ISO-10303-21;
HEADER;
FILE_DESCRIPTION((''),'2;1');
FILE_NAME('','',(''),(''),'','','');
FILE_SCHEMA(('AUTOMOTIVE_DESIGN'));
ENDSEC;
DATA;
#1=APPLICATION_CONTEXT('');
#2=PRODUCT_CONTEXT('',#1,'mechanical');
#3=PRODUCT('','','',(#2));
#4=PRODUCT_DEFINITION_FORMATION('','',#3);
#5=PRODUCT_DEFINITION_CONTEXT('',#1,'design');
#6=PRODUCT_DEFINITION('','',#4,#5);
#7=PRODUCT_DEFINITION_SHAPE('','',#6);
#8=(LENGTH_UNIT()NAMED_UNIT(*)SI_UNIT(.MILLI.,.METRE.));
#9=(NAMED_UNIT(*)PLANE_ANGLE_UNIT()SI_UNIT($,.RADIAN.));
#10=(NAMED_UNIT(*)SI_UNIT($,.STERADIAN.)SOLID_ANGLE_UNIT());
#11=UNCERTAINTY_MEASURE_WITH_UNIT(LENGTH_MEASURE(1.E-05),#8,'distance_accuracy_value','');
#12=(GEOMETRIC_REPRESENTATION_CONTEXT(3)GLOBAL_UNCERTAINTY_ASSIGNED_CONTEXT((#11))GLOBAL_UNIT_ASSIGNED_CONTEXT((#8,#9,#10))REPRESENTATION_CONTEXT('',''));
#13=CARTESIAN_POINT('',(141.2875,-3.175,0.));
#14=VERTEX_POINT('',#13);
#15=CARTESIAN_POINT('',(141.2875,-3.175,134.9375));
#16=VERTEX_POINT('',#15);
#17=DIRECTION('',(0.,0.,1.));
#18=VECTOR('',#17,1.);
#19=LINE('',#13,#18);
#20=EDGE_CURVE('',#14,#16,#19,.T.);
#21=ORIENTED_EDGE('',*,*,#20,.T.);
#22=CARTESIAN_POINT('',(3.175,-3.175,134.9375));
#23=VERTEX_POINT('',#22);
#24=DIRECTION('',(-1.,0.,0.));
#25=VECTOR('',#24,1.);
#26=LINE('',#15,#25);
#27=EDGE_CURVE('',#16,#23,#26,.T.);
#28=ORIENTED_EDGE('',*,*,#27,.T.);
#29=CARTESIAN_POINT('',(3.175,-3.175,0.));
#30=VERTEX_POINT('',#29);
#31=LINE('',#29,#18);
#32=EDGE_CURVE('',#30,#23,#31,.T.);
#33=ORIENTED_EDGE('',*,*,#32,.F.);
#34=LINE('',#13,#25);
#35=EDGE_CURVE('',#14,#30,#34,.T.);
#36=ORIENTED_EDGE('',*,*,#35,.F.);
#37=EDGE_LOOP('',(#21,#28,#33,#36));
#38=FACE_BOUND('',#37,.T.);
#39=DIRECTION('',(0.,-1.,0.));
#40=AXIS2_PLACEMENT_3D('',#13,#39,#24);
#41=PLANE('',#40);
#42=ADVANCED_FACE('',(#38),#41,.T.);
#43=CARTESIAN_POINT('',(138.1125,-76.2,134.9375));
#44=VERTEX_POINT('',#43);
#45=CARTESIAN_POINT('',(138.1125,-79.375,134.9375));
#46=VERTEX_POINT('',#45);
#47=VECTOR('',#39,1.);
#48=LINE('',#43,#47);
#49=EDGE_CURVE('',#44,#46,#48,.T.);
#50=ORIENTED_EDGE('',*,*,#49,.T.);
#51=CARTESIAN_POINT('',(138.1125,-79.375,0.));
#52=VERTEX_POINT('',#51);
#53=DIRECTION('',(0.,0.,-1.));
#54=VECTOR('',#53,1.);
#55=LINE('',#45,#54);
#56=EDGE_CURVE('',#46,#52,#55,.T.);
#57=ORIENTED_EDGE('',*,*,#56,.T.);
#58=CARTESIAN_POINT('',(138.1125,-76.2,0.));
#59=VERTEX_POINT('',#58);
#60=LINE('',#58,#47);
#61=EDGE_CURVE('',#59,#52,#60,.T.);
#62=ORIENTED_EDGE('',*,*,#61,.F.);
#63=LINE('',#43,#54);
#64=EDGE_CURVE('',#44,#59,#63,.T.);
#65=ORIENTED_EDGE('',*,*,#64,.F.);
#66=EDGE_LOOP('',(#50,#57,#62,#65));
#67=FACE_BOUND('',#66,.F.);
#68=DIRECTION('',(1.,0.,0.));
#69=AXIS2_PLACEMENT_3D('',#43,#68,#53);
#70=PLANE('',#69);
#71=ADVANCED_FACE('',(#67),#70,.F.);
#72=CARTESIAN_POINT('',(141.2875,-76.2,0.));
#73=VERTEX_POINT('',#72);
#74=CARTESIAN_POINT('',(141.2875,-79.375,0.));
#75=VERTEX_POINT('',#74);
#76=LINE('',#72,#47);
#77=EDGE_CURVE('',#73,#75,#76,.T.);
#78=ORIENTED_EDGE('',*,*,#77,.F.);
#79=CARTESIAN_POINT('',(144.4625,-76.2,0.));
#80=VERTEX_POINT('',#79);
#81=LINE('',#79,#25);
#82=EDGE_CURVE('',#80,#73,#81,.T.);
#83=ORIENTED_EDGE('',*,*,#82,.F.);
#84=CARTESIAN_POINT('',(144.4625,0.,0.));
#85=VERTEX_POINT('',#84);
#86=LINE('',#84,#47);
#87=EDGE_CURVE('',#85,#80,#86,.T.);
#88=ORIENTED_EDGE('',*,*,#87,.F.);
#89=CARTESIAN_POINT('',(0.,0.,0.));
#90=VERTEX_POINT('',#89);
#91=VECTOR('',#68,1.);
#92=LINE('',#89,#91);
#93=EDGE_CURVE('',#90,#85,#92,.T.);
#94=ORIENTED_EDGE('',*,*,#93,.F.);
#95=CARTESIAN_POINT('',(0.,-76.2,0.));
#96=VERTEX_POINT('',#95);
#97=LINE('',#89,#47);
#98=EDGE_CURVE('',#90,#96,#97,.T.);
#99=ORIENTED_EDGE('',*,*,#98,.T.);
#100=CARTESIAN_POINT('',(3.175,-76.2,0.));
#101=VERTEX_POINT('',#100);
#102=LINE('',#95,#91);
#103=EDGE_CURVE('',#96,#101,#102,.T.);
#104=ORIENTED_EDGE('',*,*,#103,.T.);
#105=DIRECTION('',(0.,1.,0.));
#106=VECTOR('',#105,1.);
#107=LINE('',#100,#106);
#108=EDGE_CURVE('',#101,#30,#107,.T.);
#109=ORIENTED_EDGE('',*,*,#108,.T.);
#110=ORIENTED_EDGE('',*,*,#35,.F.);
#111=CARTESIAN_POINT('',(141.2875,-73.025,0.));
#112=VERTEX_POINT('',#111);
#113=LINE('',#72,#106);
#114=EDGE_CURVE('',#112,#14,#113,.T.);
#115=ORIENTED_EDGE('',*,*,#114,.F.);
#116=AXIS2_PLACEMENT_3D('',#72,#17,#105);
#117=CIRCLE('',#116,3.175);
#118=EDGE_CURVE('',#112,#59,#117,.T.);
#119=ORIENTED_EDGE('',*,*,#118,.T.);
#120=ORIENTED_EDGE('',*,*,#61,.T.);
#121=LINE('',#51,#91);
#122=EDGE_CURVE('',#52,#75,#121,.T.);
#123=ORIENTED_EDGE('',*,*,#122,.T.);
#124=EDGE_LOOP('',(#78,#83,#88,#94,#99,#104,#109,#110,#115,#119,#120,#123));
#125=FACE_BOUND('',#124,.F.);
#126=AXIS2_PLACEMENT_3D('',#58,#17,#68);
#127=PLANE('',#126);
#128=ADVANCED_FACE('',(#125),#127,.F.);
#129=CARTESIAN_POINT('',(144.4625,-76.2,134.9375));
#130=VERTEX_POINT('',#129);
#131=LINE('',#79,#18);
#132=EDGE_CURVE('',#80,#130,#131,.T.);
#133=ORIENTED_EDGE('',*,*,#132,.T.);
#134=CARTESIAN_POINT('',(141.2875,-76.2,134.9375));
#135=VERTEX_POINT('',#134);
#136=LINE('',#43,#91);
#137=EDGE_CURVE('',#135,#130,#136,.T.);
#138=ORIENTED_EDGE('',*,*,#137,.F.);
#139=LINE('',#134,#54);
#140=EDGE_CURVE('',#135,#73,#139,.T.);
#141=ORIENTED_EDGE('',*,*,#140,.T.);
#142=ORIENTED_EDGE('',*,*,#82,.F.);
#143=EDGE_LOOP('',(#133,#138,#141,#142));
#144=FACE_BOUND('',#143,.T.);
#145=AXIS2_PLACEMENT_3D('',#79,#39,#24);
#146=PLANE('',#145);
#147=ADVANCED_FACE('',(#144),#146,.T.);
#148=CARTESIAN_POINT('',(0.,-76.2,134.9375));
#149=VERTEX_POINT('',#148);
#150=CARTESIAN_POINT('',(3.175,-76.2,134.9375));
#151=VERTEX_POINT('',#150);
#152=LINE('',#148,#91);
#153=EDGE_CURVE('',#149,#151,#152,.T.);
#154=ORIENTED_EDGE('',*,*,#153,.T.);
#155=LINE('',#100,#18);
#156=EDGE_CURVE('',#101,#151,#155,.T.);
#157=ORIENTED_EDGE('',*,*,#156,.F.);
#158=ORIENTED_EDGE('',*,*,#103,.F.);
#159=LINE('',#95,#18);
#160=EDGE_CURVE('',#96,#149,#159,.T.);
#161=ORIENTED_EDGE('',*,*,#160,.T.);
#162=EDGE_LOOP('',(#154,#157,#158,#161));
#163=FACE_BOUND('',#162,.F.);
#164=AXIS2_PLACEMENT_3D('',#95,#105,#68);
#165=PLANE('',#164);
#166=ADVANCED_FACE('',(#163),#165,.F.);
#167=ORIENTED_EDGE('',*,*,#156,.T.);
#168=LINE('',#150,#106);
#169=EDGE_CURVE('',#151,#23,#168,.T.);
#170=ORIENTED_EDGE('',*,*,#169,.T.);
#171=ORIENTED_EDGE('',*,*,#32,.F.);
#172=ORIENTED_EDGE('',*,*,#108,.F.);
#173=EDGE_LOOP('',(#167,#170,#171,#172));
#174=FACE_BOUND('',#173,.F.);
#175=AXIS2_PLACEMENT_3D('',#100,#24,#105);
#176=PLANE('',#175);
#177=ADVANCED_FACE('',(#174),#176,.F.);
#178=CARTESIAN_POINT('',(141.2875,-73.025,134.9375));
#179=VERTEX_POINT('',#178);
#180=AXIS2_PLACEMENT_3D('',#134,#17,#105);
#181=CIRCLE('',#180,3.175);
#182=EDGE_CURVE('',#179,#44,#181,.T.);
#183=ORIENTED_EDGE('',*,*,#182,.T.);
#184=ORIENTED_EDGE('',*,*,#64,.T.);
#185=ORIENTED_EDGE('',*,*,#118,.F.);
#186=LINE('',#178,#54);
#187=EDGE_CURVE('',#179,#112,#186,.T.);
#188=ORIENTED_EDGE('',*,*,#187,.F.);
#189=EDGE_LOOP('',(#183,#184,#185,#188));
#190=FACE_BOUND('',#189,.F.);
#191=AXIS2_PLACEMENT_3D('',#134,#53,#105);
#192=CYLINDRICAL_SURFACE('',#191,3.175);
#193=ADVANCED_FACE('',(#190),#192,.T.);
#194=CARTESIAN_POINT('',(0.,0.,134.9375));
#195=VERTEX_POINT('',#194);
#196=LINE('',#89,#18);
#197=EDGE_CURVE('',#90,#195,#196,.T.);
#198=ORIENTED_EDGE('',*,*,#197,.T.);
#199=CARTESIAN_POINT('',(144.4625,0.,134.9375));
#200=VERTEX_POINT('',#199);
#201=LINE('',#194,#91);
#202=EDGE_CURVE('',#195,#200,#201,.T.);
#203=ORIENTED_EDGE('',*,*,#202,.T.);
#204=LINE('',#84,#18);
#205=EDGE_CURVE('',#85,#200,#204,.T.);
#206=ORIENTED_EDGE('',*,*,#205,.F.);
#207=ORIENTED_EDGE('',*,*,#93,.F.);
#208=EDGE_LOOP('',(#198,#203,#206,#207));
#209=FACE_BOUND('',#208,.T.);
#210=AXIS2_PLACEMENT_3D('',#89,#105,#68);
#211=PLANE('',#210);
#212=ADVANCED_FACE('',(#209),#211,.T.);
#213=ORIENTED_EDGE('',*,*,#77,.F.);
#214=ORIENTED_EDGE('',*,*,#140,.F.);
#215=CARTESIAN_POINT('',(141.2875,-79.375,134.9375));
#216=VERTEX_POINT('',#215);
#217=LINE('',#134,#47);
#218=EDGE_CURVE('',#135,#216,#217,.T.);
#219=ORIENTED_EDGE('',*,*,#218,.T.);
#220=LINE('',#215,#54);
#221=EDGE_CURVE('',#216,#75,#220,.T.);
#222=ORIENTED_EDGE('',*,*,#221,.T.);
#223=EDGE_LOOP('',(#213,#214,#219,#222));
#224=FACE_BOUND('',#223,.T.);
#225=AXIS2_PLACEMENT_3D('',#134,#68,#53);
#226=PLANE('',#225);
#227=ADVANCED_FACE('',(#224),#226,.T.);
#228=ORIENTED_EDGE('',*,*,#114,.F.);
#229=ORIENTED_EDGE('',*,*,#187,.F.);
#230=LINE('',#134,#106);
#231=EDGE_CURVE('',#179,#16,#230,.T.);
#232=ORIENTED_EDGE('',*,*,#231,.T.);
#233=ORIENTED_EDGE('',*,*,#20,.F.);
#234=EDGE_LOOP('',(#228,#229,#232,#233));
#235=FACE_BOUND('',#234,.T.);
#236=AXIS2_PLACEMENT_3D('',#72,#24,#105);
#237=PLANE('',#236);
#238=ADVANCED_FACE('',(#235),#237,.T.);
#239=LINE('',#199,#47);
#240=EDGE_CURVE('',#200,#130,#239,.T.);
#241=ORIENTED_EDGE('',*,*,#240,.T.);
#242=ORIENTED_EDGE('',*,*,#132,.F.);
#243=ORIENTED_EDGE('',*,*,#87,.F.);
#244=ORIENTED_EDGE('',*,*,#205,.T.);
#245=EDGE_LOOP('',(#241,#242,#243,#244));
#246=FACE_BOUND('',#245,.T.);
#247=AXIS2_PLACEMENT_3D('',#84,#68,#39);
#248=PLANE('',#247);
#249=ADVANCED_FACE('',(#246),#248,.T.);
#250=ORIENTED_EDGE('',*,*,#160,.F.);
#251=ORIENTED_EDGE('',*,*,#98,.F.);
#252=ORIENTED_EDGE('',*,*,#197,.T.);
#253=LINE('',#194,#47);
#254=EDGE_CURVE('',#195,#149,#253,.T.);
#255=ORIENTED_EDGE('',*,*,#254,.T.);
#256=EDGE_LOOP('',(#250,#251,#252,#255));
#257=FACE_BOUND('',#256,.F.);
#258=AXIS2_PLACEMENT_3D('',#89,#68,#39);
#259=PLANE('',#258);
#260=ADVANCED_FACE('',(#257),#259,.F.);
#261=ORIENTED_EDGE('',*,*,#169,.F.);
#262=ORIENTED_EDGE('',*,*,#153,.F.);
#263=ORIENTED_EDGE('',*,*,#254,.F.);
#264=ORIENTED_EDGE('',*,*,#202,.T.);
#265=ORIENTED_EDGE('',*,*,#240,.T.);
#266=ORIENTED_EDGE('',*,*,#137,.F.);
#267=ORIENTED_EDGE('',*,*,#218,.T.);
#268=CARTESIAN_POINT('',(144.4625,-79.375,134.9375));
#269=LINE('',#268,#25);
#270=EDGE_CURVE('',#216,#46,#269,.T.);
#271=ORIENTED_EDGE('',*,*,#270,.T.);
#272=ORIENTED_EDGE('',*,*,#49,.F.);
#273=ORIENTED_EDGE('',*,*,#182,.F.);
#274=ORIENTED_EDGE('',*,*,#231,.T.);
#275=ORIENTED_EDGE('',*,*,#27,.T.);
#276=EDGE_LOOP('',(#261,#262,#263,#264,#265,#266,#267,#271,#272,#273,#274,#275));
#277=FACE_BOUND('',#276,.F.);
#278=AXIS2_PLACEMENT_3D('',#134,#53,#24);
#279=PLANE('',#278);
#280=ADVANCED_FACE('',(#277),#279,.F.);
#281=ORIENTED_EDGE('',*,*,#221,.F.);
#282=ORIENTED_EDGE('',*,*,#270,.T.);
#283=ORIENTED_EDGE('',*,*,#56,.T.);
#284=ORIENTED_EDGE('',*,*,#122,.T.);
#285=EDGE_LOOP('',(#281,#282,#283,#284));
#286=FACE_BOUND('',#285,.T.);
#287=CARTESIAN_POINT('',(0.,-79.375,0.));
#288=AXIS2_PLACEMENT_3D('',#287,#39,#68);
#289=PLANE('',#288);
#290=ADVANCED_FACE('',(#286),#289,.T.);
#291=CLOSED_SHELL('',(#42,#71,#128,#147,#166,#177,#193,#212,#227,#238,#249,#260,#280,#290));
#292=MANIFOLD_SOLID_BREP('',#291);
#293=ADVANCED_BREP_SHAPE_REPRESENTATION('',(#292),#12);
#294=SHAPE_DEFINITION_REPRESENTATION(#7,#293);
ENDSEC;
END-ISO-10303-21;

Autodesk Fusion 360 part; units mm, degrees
sketch "Sketch1" plane through (0, 0, 0) normal (0, 0, 1) x (1, 0, 0)
  line L0 (0, 0) -> (0, -76.2)
  line L1 (0, -76.2) -> (3.175, -76.2)
  line L2 (3.175, -76.2) -> (3.175, -3.175)
  line L3 (0, 0) -> (144.4625, 0)
  line L4 (144.4625, 0) -> (144.4625, -76.2)
  line L5 (144.4625, -76.2) -> (141.2875, -76.2)
  line L6 (141.2875, -76.2) -> (141.2875, -3.175)
  line L7 (141.2875, -3.175) -> (3.175, -3.175)
  dimension "d1" = 76.2
  dimension "d2" = 3.175
  dimension "d3" = 73.025
  dimension "d4" = 144.4625
  dimension "d5" = 76.2
  dimension "d6" = 3.175
  dimension "d7" = 73.025
extrude "Extrude1" add sketch "Sketch1" along normal blind 134.9375
sketch "Sketch2" plane through (141.2875, 0, 0) normal (-1, 0, 0) x (0, -1, 0)
  line L0 (3.175, 0) -> (76.2, 0)
  line L1 (76.2, 0) -> (76.2, 134.9375)
  line L2 (76.2, 134.9375) -> (3.175, 134.9375)
  line L3 (3.175, 134.9375) -> (3.175, 0)
  line L4 (76.2, 134.9375) -> (73.025, 134.9375)
  line L5 (73.025, 134.9375) -> (73.025, 0)
  line L6 (73.025, 0) -> (76.2, 0)
  line L7 (76.2, 0) -> (76.2, 134.9375)
  dimension "d11" = 3.175
revolve "Revolve1" add sketch "Sketch2" angle 90 about axis through (141.2875, -76.2, 0) along (0, 0, 1) contours L0 L1 L2 L4 L5 L6 L7
sketch "Sketch3" plane through (0, -76.2, 0) normal (0, -1, 0) x (1, 0, 0)
  line L0 (138.1125, 0) -> (144.4625, 0)
  line L1 (144.4625, 0) -> (144.4625, 134.9375)
  line L2 (144.4625, 134.9375) -> (138.1125, 134.9375)
  line L3 (138.1125, 134.9375) -> (138.1125, 0)
  line L4 (138.1125, 134.9375) -> (141.2875, 134.9375)
  line L5 (141.2875, 134.9375) -> (141.2875, 0)
  line L6 (141.2875, 0) -> (138.1125, 0)
  line L7 (138.1125, 0) -> (138.1125, 134.9375)
  dimension "d13" = 3.175
extrude "Extrude2" add sketch "Sketch3" along normal blind 3.175 contours L0 L2 L3 L4 L5 L6 L7
equation "Length = ( 10.625 / 2 ) * 1 in"
equation "d9 = Length"
